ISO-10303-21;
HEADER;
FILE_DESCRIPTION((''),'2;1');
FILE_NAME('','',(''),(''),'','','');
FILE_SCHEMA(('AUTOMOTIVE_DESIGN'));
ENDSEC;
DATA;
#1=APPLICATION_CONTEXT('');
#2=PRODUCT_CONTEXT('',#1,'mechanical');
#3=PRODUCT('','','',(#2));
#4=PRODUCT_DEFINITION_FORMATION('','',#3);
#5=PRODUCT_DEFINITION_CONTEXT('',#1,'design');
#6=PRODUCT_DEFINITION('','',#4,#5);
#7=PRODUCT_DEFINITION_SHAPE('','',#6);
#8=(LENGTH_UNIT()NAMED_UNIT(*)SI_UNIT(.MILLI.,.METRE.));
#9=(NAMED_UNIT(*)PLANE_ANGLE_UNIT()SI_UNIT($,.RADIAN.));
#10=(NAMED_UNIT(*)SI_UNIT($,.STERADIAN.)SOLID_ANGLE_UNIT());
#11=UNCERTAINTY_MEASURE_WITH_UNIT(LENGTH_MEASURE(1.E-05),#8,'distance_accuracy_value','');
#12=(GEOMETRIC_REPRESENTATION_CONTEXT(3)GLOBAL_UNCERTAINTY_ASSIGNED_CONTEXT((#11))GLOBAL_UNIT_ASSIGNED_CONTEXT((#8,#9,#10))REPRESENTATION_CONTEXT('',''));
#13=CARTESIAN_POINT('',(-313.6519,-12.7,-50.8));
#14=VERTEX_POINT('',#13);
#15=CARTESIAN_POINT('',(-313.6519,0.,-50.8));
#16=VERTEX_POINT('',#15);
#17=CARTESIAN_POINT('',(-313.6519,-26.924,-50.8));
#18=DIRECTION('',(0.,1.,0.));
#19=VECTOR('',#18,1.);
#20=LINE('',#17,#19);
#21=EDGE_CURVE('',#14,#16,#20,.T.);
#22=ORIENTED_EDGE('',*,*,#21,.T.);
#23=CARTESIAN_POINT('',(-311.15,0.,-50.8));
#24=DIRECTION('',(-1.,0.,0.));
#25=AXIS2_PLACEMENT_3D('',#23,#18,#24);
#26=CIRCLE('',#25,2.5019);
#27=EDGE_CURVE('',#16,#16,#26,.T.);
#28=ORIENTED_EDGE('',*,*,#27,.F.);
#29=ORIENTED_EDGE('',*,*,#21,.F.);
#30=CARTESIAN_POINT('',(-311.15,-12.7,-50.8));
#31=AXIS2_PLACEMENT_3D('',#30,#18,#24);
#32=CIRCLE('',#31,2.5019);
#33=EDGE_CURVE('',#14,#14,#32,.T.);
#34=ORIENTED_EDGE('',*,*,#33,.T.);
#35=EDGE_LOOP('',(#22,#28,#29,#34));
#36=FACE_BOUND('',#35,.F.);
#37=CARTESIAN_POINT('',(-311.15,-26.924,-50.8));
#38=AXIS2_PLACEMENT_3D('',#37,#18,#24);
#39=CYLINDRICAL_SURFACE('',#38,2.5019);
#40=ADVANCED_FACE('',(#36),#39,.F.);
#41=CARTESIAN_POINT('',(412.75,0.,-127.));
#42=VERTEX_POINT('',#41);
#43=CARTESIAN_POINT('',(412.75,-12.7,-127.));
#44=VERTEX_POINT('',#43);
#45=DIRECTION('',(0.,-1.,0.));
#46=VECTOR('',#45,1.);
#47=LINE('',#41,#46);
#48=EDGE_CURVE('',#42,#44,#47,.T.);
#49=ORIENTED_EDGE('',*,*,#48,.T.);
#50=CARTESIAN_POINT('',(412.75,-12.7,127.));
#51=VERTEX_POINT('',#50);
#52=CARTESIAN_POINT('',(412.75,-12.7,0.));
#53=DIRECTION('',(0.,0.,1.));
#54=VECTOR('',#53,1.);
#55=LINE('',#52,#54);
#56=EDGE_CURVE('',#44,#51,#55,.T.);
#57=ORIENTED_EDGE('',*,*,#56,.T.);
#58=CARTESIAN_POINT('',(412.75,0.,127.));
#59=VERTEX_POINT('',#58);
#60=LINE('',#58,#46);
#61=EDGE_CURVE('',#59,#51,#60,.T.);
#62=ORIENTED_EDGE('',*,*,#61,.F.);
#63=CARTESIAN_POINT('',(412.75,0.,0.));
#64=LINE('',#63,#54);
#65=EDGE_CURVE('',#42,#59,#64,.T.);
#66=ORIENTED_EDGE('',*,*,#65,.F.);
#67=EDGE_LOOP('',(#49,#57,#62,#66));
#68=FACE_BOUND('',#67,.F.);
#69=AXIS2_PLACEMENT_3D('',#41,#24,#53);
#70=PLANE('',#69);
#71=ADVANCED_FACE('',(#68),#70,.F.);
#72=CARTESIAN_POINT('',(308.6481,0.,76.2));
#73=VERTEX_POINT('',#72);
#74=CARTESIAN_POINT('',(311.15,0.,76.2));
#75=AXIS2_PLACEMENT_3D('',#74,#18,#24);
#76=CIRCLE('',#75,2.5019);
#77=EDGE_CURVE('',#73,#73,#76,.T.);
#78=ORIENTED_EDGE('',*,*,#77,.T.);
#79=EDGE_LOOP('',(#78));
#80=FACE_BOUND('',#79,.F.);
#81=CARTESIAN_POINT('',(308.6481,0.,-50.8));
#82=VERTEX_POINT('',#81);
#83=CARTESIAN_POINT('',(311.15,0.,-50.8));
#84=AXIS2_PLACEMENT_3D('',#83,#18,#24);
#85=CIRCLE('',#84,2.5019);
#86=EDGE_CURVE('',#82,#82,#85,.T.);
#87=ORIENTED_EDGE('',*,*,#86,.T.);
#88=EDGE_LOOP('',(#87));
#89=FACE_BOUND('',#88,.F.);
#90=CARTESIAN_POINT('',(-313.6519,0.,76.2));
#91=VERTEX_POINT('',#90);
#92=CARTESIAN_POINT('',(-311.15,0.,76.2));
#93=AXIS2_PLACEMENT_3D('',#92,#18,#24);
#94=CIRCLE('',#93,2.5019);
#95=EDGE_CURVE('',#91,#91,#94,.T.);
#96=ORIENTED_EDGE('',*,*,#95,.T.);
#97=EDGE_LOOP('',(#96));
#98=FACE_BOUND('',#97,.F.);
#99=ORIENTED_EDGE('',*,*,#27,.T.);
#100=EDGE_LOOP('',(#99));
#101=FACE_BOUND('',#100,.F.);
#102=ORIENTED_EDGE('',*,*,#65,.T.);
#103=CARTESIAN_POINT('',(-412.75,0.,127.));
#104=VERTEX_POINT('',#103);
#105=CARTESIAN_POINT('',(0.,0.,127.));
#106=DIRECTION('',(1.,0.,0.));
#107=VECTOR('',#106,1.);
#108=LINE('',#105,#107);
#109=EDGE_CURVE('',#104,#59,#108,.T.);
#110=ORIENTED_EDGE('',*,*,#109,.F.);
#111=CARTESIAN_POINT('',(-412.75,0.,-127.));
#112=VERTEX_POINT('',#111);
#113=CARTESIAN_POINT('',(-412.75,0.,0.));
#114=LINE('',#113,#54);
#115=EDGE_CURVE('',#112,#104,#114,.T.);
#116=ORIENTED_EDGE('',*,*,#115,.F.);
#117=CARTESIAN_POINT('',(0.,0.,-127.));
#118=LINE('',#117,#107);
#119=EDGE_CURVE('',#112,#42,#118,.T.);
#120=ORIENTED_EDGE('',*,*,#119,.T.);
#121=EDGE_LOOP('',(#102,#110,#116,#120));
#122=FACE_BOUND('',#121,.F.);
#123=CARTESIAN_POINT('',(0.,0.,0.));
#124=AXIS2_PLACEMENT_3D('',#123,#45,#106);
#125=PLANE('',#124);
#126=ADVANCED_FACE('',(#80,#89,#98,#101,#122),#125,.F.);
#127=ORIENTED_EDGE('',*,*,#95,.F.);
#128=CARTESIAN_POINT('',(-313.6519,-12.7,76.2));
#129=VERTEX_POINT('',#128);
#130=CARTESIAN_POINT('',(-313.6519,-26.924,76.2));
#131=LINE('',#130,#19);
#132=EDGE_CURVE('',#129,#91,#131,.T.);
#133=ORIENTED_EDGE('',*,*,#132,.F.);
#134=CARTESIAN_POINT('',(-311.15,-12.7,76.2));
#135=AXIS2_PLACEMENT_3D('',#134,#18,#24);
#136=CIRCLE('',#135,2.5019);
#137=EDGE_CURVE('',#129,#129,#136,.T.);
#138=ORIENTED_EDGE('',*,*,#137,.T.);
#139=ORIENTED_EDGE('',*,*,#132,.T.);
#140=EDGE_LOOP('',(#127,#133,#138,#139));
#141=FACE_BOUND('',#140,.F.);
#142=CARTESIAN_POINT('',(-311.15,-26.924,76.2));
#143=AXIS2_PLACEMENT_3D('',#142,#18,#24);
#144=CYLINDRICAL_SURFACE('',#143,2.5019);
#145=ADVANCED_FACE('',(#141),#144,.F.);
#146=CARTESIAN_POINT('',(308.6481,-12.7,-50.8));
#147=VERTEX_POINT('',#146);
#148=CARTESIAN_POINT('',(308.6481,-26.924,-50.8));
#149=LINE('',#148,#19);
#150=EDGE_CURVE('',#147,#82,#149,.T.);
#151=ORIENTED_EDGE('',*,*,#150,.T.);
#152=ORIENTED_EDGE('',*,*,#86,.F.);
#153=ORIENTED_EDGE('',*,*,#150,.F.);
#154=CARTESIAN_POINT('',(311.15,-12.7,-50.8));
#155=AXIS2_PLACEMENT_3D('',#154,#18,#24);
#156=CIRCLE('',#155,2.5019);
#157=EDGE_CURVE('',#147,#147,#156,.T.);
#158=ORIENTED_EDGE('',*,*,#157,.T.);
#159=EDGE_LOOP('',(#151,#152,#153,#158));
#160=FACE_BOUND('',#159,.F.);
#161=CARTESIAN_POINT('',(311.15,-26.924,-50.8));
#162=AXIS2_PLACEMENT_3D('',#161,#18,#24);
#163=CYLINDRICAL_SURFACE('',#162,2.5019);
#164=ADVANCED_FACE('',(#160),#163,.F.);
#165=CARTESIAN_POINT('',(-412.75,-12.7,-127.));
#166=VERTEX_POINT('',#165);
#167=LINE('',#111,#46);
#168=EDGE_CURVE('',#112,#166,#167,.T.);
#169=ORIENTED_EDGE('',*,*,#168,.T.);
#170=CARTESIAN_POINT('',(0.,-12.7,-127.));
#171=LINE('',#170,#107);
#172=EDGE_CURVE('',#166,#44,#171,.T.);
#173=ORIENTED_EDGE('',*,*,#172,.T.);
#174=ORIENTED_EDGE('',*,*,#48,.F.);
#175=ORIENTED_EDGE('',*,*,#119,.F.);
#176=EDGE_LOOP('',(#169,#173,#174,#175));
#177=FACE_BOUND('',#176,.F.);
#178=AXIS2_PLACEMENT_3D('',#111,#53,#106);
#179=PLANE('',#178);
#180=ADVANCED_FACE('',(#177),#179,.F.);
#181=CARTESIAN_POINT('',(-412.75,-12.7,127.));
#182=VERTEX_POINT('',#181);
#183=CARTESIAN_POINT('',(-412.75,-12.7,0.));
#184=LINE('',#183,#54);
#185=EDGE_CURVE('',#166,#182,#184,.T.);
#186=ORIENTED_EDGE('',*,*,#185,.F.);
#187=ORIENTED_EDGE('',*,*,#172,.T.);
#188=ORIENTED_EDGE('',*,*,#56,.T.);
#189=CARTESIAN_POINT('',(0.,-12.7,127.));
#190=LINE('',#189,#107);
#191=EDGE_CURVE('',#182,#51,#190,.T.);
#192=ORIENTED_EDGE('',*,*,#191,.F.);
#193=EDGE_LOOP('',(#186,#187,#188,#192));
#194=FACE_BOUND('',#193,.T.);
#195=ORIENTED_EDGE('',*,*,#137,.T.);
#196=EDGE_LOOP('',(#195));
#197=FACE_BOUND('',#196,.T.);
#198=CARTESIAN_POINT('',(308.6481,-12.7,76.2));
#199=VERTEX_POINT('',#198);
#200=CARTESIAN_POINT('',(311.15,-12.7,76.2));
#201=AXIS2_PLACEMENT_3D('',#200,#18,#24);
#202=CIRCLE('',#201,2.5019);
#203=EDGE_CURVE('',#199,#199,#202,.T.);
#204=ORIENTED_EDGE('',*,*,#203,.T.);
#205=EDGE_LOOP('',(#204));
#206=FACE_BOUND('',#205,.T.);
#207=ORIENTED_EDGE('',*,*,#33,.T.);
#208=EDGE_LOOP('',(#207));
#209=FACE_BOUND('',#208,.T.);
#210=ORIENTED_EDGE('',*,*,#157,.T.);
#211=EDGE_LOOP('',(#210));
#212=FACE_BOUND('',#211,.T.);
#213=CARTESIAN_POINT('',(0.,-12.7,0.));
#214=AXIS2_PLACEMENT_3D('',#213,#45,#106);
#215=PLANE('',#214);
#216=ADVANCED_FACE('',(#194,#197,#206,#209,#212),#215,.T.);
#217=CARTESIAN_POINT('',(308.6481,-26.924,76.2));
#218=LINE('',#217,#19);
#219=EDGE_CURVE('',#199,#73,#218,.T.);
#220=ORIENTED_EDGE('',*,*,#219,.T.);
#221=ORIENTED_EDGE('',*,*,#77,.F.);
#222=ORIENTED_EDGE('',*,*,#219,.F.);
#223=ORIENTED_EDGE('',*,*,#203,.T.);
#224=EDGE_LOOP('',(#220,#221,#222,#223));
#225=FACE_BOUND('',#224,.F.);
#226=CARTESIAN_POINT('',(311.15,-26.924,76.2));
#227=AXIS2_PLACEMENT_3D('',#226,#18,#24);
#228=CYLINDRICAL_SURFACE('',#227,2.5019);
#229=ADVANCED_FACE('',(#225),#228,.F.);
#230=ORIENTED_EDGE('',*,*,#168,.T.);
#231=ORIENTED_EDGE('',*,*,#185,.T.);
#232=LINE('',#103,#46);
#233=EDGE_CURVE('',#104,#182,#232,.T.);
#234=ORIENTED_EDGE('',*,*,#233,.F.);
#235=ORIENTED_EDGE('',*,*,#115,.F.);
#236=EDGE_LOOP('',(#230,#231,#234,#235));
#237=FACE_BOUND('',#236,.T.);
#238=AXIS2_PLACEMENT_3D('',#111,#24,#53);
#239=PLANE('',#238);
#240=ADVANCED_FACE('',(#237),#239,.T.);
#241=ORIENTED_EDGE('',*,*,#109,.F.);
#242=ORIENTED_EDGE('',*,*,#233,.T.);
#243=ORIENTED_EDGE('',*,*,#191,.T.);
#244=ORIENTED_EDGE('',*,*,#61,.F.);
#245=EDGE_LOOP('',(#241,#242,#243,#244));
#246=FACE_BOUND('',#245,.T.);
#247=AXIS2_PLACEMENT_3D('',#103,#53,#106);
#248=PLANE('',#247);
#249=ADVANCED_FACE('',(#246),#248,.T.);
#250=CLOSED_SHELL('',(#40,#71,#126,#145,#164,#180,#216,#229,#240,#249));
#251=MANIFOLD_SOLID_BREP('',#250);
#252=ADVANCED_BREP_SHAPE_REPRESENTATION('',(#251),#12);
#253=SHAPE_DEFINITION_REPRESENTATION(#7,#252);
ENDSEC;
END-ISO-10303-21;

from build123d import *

# Parameters (mm, degrees)
F0_W     = 825.5
F0_H     = 254
F1_DEPTH = 12.7
F3_D     = 5.0038
F3_DEPTH = 14.224


with BuildPart() as f1:
    # F0 (on Front) → F1 (new body)
    with BuildSketch(Plane.XZ):
        Rectangle(F0_W, F0_H)
    extrude(amount=F1_DEPTH)

    # F3
    with Locations(Plane.XZ.offset(12.7)):
        with Locations((-311.15, 76.2), (-311.15, -50.8), (311.15, 76.2), (311.15, -50.8)):
            Hole(F3_D / 2, depth=F3_DEPTH)


solid = f1.part
